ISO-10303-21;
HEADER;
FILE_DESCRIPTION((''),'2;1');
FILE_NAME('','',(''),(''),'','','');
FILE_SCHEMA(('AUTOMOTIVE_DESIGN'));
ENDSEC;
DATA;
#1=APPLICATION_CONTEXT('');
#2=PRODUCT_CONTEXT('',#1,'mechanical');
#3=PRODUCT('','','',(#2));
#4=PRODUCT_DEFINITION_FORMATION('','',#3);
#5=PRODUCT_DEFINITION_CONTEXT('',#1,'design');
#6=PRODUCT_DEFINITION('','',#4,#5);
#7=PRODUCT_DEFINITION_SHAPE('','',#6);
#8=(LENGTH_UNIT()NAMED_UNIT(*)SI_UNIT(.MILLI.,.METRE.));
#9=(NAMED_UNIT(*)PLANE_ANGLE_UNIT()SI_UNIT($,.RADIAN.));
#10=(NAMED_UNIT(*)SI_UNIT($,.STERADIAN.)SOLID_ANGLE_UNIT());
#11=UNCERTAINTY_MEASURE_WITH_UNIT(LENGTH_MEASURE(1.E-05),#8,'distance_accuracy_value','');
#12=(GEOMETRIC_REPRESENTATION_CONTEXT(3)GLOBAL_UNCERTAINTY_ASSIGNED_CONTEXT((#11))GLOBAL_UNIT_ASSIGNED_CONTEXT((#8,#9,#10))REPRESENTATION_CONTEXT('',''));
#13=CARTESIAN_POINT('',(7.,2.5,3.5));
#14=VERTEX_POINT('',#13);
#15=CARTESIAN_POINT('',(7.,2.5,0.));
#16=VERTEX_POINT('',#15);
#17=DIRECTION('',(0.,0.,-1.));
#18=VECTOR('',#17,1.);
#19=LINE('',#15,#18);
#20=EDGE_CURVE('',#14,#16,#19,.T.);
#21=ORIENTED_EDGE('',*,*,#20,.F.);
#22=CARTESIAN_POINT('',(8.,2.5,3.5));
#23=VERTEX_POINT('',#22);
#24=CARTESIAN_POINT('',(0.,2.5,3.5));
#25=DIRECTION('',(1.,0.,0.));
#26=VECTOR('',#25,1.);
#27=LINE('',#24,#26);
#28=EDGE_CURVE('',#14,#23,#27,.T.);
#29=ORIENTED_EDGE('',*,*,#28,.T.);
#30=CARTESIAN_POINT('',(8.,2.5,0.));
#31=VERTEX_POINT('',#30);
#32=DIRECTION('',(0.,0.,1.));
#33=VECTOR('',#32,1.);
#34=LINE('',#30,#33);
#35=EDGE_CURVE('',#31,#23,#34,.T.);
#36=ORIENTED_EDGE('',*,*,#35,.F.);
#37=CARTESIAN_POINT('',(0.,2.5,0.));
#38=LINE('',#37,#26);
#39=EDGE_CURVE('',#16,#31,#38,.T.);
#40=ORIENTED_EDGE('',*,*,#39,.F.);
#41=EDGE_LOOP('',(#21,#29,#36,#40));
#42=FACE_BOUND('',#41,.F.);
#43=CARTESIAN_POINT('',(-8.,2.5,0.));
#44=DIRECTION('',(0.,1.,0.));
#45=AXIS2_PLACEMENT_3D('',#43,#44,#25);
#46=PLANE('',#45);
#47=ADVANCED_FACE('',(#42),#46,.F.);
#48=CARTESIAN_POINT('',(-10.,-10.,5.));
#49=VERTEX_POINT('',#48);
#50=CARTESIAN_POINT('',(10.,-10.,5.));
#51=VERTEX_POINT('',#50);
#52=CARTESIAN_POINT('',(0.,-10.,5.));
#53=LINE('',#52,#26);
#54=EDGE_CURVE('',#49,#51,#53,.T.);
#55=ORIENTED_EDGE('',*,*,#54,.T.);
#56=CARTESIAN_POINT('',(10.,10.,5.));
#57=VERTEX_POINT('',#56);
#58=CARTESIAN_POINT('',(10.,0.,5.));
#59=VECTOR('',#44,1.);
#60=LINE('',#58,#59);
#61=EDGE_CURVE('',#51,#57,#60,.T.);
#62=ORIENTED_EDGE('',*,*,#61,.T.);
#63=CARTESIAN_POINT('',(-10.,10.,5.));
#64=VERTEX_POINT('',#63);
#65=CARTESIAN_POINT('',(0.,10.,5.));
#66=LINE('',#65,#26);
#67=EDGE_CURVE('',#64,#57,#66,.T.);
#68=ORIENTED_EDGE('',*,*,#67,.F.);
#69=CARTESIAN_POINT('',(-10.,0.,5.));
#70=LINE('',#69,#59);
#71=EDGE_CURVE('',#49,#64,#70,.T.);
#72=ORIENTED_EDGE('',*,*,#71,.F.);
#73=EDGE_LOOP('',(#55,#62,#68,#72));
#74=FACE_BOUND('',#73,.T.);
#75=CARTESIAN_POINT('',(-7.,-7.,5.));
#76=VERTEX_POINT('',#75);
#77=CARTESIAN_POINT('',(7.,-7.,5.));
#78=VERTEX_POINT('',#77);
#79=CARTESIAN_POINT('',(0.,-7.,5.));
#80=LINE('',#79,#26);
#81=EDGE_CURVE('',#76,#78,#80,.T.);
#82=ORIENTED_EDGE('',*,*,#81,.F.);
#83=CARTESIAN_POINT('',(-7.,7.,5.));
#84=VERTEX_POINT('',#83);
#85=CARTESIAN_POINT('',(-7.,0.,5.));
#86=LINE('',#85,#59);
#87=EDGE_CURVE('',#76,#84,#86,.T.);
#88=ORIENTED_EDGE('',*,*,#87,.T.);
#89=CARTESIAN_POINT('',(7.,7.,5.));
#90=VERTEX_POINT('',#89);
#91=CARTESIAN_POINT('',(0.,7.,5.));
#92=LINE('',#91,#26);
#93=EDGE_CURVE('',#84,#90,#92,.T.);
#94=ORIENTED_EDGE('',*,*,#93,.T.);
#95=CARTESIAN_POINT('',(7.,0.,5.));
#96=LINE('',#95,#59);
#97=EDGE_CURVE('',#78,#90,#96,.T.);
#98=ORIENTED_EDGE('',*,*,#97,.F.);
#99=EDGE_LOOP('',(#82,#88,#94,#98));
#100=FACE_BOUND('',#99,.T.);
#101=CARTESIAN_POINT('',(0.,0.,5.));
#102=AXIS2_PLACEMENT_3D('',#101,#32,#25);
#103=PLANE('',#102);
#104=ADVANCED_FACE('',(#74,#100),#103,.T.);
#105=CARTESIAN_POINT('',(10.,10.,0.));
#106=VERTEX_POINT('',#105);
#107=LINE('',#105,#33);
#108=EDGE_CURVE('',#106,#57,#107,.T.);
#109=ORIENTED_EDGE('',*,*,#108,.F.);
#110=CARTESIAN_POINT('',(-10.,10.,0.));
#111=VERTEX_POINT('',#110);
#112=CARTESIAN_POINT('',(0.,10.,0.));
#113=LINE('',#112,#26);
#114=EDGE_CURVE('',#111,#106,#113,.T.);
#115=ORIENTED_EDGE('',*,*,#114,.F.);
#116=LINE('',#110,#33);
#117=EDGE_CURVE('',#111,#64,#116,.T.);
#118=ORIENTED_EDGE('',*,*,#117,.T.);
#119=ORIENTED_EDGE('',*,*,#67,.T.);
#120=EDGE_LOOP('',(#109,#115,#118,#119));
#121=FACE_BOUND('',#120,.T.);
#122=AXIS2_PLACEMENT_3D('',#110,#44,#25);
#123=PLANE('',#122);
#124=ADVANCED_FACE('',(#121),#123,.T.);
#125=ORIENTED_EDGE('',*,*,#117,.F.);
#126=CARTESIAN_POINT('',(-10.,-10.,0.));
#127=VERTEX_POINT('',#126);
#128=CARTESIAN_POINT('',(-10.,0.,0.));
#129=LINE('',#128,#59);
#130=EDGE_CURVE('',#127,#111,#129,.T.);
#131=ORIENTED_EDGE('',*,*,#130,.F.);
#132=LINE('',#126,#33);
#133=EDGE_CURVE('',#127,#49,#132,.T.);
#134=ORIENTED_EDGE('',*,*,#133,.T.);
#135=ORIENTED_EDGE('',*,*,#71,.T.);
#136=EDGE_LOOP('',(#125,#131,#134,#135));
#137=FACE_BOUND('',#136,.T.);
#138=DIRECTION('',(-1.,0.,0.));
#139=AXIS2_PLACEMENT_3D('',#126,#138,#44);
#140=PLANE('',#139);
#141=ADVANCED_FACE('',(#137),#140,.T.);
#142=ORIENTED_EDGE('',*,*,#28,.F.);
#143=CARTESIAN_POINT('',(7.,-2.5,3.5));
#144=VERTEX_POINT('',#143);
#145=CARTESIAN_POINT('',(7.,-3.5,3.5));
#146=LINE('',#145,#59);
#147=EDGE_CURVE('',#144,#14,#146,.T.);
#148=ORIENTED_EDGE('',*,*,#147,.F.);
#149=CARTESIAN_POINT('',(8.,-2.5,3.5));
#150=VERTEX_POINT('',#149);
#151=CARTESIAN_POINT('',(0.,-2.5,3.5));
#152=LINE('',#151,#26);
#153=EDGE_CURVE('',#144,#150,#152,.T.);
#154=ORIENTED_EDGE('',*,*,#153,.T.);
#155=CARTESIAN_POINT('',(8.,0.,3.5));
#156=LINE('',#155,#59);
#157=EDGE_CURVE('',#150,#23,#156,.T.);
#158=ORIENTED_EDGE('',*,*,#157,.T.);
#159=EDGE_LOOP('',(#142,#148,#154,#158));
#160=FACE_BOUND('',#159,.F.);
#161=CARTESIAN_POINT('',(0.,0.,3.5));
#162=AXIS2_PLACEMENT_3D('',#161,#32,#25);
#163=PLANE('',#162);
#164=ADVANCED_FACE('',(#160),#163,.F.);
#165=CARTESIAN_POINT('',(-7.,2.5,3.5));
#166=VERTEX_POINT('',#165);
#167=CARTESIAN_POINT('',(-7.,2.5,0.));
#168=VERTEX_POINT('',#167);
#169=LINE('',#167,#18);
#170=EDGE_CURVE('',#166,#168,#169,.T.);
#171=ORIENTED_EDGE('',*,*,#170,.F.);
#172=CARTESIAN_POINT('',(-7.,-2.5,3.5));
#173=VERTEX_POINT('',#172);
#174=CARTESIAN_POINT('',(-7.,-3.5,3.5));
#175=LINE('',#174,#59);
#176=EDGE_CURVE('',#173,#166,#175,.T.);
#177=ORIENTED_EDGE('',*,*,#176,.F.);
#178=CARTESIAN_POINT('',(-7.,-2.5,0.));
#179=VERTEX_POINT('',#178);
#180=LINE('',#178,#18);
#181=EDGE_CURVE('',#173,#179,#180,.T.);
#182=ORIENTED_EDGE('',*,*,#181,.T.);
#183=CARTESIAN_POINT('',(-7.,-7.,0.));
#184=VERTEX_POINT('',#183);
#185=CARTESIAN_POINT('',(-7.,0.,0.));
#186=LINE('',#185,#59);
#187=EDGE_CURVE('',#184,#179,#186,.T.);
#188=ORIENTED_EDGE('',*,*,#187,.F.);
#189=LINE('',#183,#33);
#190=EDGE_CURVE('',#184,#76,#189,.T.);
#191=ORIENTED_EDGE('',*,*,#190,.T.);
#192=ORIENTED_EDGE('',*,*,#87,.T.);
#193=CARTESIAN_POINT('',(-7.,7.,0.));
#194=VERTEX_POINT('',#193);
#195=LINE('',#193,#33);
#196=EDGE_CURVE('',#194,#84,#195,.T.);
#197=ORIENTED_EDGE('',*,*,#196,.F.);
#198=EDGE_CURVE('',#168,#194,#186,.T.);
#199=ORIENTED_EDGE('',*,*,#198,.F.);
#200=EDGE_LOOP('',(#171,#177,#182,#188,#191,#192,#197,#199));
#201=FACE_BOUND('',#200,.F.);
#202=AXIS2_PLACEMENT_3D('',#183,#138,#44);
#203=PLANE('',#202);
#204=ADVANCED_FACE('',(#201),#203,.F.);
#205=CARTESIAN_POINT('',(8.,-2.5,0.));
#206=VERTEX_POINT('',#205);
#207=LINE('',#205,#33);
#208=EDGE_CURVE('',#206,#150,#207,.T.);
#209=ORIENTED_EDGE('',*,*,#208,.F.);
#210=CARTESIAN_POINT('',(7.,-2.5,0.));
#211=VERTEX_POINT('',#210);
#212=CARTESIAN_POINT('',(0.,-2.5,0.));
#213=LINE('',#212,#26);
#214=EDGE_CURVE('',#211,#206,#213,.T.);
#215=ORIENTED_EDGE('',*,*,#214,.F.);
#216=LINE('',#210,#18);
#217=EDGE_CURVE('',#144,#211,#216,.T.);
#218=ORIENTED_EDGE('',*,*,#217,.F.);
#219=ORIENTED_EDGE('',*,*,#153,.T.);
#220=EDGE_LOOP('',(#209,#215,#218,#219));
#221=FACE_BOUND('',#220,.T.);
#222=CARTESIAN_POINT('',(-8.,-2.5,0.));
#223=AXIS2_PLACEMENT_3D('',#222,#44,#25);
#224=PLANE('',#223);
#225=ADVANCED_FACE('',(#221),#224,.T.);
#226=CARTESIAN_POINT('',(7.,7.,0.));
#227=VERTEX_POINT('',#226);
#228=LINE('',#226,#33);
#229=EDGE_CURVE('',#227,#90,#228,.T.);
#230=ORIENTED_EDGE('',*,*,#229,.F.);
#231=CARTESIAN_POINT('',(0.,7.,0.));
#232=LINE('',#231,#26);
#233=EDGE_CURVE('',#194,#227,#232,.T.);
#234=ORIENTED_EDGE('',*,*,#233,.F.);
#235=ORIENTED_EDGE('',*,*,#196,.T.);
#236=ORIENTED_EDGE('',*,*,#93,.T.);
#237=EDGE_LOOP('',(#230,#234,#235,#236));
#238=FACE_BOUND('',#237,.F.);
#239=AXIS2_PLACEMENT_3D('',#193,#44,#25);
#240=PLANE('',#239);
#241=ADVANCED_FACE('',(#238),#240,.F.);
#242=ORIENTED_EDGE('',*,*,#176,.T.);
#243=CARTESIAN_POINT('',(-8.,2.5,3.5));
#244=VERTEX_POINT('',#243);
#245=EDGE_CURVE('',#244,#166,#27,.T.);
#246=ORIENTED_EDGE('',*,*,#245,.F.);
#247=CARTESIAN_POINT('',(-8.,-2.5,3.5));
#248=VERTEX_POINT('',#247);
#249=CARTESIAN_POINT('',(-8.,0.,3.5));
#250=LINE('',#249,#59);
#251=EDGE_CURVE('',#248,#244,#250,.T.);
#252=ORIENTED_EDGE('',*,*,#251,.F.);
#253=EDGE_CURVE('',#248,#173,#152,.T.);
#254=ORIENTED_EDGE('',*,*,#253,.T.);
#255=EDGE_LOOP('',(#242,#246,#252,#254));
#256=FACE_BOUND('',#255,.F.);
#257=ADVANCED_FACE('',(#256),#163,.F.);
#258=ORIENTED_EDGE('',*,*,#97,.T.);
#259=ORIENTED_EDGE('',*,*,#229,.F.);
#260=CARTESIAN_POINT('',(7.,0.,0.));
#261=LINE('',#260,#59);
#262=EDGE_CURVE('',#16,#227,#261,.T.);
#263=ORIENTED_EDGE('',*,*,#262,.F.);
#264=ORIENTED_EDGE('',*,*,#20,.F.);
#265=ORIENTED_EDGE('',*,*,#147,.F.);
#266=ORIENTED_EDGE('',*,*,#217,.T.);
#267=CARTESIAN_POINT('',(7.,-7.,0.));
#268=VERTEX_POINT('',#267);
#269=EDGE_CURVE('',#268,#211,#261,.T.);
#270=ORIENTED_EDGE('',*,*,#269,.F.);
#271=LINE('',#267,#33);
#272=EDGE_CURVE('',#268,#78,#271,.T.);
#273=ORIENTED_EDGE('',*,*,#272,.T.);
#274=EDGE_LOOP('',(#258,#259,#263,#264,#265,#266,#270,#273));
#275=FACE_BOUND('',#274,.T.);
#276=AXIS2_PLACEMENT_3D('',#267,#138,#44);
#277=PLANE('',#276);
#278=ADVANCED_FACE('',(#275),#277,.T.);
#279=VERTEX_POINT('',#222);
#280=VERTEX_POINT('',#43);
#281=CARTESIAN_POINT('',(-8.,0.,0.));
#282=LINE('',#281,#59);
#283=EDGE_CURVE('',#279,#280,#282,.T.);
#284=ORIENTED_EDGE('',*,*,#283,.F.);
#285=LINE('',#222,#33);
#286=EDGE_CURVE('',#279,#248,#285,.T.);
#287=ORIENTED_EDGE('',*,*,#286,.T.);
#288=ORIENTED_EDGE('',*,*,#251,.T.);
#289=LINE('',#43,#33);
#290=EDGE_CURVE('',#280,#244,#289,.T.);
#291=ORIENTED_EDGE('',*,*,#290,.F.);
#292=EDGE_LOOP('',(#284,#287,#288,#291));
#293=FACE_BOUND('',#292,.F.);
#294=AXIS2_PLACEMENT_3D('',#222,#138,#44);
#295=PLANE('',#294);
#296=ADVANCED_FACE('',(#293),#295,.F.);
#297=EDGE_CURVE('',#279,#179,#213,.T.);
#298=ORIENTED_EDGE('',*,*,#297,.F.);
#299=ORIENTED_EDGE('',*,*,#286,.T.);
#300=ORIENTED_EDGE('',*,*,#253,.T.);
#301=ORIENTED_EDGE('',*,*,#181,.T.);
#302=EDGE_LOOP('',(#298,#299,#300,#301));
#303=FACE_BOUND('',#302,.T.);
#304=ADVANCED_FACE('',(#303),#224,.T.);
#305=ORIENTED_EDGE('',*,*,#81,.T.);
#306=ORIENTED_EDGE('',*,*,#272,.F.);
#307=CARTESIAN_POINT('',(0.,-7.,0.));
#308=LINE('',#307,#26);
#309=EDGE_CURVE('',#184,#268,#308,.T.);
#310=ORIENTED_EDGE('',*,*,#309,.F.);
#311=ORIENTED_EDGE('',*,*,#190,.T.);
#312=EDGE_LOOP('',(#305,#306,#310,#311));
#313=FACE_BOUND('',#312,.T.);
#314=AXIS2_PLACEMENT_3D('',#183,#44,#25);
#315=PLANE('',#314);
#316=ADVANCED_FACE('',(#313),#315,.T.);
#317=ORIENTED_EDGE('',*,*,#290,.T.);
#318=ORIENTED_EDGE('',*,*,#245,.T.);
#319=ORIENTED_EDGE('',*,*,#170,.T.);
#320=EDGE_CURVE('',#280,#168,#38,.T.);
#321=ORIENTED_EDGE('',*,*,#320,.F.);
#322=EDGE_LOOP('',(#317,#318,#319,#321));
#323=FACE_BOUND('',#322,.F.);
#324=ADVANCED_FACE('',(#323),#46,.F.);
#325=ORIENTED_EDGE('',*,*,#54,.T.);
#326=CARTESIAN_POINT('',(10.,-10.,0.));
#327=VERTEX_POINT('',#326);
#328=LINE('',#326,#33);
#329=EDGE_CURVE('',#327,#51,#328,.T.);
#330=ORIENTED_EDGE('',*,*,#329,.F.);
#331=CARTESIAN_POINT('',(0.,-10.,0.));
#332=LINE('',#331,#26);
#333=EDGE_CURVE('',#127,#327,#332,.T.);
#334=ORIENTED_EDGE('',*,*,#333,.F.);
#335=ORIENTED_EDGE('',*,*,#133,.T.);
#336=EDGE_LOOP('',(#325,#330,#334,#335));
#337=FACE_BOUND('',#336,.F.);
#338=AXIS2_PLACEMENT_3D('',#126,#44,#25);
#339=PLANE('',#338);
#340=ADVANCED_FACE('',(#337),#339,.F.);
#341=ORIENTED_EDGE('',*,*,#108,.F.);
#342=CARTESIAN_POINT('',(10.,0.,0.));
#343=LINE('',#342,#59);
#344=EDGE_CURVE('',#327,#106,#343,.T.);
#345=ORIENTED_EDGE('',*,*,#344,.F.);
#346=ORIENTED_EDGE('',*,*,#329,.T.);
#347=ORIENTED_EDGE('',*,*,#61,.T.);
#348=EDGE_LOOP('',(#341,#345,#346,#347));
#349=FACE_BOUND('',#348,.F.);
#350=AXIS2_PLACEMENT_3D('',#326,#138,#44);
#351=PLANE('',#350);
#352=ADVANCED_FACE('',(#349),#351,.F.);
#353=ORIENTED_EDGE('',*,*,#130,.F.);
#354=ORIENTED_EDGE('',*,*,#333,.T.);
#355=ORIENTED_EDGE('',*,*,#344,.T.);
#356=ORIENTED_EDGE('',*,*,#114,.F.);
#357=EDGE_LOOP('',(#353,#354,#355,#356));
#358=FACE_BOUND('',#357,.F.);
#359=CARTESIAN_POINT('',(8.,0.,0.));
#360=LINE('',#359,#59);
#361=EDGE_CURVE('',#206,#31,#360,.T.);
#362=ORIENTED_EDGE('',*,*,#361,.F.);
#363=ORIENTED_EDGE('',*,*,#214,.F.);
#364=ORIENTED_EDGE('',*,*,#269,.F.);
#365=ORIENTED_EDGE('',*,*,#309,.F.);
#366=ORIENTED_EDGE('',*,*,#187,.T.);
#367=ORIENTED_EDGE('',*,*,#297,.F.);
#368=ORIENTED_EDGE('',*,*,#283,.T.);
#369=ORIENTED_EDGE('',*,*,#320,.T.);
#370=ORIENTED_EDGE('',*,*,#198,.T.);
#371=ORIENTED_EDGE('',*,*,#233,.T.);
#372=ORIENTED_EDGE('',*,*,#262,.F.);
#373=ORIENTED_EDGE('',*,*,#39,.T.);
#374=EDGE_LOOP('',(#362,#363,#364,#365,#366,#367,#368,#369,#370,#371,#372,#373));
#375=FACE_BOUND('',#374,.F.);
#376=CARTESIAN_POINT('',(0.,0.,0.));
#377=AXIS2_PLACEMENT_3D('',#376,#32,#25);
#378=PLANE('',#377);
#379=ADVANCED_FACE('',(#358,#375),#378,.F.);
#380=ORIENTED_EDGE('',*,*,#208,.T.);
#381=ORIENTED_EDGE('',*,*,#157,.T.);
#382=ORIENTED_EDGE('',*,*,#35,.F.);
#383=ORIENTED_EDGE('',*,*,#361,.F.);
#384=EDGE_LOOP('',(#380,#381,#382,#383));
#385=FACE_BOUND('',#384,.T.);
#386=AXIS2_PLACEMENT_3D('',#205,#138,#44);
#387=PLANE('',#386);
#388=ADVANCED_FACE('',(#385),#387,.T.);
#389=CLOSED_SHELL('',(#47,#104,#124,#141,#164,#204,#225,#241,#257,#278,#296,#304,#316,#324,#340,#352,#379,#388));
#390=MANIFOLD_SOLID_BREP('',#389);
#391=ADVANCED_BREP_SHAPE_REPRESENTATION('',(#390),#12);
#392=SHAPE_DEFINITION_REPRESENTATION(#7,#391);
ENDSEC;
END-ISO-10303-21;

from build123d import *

# Parameters (mm, degrees)
SKETCH_W     = 20
SKETCH_H     = 20
SKETCH_W_2   = 14
SKETCH_H_2   = 14
PAD_DEPTH    = 5
SKETCH001_W  = 16
SKETCH001_H  = 5
POCKET_DEPTH = 3.5


with BuildPart() as part:
    # Sketch → Pad (new body)
    with BuildSketch(Plane.XY):
        Rectangle(SKETCH_W, SKETCH_H)
        Rectangle(SKETCH_W_2, SKETCH_H_2, mode=Mode.SUBTRACT)
    extrude(amount=PAD_DEPTH)

    # Sketch001 → Pocket (cut)
    with BuildSketch(Plane.XY):
        Rectangle(SKETCH001_W, SKETCH001_H)
    extrude(amount=POCKET_DEPTH, mode=Mode.SUBTRACT)


solid = part.part
